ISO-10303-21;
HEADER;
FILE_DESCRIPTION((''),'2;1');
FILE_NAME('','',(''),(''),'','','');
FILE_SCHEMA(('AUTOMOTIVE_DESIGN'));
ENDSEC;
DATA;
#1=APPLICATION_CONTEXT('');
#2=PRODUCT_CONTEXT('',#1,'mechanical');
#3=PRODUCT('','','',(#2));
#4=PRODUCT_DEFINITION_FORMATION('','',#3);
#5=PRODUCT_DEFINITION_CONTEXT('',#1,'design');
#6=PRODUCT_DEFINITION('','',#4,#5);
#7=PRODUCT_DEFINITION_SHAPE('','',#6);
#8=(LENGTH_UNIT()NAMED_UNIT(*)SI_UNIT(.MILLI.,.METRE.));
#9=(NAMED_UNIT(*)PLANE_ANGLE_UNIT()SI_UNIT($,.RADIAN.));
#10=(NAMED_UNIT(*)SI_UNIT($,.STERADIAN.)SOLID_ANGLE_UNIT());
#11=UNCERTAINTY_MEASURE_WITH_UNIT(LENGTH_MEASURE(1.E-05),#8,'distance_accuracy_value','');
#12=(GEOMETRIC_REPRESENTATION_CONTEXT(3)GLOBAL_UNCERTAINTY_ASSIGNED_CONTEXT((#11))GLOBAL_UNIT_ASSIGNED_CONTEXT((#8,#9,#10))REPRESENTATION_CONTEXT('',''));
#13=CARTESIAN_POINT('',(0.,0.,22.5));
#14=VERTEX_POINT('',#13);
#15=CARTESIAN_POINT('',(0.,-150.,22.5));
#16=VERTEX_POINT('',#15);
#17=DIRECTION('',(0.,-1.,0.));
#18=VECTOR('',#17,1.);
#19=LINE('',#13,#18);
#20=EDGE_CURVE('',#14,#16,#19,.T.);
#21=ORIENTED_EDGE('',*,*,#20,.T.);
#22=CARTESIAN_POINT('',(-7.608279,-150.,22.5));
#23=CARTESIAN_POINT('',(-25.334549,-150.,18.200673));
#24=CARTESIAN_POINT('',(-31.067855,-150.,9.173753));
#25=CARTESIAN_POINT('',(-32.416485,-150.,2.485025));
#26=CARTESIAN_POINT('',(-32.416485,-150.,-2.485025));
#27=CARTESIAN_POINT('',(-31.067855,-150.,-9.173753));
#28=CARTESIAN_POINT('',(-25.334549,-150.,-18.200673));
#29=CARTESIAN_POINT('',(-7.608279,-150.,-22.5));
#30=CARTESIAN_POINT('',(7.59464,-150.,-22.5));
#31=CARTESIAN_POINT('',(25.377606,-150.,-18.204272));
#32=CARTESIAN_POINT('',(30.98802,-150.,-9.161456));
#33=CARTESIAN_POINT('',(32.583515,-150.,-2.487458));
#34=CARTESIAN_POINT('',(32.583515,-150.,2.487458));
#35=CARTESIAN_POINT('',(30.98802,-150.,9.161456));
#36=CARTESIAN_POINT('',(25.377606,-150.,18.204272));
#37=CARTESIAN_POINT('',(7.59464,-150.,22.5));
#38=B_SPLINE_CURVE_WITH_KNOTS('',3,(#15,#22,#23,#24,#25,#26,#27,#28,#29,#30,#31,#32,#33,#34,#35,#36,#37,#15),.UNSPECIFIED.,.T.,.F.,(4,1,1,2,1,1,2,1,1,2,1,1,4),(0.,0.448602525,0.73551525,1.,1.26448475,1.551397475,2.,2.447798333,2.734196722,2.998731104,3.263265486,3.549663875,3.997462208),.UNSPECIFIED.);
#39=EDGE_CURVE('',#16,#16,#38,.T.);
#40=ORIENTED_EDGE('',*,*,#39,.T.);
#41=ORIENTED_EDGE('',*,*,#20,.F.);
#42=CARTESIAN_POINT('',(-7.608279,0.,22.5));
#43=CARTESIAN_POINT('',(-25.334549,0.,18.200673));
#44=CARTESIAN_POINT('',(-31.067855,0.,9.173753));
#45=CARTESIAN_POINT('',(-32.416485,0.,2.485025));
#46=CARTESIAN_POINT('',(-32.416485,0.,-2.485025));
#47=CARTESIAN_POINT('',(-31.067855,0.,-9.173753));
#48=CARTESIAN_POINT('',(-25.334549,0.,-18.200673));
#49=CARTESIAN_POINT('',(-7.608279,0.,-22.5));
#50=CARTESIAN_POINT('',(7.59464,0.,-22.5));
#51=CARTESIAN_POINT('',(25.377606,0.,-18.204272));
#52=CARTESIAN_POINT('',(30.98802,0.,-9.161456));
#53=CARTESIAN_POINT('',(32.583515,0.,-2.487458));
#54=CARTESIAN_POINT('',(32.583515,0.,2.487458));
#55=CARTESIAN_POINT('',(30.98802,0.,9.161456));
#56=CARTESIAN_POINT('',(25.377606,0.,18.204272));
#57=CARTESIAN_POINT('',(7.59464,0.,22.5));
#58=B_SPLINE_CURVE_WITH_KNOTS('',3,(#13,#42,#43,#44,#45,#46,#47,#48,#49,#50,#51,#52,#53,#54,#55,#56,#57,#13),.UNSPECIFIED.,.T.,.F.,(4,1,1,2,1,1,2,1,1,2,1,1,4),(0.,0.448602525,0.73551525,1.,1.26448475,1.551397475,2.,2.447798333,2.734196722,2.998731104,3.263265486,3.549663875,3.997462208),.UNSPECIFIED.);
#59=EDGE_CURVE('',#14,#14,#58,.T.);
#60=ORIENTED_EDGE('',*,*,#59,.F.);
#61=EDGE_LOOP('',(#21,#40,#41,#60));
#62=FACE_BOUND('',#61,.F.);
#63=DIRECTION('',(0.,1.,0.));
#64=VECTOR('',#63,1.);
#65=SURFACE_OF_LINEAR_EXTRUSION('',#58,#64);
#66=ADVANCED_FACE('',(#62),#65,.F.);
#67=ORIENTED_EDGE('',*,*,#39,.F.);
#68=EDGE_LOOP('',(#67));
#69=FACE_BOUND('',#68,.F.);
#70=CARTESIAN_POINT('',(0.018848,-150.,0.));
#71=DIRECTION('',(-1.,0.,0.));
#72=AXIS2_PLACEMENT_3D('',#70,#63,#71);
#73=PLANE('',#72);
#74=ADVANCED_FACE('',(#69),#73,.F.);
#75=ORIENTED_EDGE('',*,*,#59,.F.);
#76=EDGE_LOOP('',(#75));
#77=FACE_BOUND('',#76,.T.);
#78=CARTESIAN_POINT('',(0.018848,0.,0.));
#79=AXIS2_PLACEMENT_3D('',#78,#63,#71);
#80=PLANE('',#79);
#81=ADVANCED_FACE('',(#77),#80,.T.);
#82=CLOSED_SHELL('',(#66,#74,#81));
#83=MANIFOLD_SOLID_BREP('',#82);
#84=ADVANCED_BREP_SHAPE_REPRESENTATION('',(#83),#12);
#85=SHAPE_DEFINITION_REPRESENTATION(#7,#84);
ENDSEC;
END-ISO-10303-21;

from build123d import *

# Parameters (mm, degrees)
F1_DEPTH = 150


with BuildPart() as f1:
    # F0 (on Front) → F1 (new body)
    with BuildSketch(Plane.XZ):
        with BuildLine():
            add(Edge.make_bspline(
                [(0, 22.5), (7.5946395885, 22.5), (25.3776059835, 18.2042722527), (30.9880198471, 9.1614564029), (32.583515133, 2.4874583419), (32.583515133, 0)],
                knots=[0, 0, 0, 0, 0.4483672647, 0.7351295246, 1, 1, 1, 1], degree=3))
            add(Edge.make_bspline(
                [(0, 22.5), (-7.6082786399, 22.5), (-25.334549235, 18.2006725777), (-31.0678554909, 9.1737533496), (-32.416484867, 2.4850251557), (-32.416484867, 0)],
                knots=[0, 0, 0, 0, 0.4486025248, 0.7355152501, 1, 1, 1, 1], degree=3))
            add(Edge.make_bspline(
                [(0, -22.5), (-7.6082786399, -22.5), (-25.334549235, -18.2006725777), (-31.0678554909, -9.1737533496), (-32.416484867, -2.4850251557), (-32.416484867, 0)],
                knots=[0, 0, 0, 0, 0.4486025248, 0.7355152501, 1, 1, 1, 1], degree=3))
            add(Edge.make_bspline(
                [(0, -22.5), (7.5946395885, -22.5), (25.3776059835, -18.2042722527), (30.9880198471, -9.1614564029), (32.583515133, -2.4874583419), (32.583515133, 0)],
                knots=[0, 0, 0, 0, 0.4483672647, 0.7351295246, 1, 1, 1, 1], degree=3))
        make_face()
    extrude(amount=F1_DEPTH)


solid = f1.part
